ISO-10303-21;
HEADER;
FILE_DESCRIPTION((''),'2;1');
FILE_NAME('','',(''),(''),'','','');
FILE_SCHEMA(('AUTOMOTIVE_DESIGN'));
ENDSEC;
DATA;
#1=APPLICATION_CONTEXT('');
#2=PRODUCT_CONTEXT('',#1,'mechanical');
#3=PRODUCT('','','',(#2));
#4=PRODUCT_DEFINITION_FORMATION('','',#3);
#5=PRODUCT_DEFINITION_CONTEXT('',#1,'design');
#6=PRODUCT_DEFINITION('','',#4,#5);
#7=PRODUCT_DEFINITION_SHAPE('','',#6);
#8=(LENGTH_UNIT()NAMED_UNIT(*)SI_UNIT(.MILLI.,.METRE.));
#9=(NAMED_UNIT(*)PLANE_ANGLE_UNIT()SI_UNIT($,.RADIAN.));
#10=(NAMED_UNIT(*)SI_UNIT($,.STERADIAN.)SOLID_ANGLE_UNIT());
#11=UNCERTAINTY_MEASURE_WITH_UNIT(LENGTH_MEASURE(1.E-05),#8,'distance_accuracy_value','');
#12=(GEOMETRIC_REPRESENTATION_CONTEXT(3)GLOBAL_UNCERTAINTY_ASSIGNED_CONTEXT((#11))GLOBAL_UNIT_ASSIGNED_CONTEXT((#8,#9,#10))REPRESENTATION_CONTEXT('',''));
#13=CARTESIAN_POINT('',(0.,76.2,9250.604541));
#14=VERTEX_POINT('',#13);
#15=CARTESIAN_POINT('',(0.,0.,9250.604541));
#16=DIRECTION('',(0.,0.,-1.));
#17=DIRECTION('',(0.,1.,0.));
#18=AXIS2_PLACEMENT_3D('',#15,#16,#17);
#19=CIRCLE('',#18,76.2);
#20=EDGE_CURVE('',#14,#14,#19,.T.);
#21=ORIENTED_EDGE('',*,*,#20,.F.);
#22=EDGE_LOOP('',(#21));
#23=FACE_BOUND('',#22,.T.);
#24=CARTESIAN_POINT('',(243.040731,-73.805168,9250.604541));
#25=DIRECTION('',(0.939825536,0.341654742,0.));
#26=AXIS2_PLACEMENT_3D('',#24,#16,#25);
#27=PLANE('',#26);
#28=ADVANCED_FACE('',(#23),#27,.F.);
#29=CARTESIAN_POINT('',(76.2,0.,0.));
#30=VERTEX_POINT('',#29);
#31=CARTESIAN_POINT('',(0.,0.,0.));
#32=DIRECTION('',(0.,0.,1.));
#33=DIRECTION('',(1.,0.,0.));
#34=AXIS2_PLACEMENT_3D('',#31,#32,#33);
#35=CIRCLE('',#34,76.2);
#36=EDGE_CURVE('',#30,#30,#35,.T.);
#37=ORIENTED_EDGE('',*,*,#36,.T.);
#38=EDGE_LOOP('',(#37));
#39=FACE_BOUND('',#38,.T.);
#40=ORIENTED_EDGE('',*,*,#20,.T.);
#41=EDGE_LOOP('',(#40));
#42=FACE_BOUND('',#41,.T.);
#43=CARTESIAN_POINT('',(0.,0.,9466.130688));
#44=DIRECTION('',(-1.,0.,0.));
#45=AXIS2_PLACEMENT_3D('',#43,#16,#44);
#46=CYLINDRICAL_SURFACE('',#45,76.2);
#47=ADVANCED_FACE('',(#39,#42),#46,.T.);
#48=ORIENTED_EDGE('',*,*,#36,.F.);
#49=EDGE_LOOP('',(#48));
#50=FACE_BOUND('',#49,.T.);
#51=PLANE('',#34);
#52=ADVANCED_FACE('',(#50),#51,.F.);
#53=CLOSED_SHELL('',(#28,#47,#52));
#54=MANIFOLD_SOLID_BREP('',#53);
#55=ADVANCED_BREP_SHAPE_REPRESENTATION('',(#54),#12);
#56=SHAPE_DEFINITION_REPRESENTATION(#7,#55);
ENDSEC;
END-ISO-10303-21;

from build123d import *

# Parameters (mm, degrees)
SKETCH1_R           = 76.2
BOSS_EXTRUDE1_DEPTH = 9250.604541415


with BuildPart() as part:
    # Sketch1 → Boss-Extrude1 (new body)
    with BuildSketch(Plane.XY):
        with Locations(Location((0, 0, 0), (0, 0, 90))):
            Circle(SKETCH1_R)
    extrude(amount=BOSS_EXTRUDE1_DEPTH)


solid = part.part
